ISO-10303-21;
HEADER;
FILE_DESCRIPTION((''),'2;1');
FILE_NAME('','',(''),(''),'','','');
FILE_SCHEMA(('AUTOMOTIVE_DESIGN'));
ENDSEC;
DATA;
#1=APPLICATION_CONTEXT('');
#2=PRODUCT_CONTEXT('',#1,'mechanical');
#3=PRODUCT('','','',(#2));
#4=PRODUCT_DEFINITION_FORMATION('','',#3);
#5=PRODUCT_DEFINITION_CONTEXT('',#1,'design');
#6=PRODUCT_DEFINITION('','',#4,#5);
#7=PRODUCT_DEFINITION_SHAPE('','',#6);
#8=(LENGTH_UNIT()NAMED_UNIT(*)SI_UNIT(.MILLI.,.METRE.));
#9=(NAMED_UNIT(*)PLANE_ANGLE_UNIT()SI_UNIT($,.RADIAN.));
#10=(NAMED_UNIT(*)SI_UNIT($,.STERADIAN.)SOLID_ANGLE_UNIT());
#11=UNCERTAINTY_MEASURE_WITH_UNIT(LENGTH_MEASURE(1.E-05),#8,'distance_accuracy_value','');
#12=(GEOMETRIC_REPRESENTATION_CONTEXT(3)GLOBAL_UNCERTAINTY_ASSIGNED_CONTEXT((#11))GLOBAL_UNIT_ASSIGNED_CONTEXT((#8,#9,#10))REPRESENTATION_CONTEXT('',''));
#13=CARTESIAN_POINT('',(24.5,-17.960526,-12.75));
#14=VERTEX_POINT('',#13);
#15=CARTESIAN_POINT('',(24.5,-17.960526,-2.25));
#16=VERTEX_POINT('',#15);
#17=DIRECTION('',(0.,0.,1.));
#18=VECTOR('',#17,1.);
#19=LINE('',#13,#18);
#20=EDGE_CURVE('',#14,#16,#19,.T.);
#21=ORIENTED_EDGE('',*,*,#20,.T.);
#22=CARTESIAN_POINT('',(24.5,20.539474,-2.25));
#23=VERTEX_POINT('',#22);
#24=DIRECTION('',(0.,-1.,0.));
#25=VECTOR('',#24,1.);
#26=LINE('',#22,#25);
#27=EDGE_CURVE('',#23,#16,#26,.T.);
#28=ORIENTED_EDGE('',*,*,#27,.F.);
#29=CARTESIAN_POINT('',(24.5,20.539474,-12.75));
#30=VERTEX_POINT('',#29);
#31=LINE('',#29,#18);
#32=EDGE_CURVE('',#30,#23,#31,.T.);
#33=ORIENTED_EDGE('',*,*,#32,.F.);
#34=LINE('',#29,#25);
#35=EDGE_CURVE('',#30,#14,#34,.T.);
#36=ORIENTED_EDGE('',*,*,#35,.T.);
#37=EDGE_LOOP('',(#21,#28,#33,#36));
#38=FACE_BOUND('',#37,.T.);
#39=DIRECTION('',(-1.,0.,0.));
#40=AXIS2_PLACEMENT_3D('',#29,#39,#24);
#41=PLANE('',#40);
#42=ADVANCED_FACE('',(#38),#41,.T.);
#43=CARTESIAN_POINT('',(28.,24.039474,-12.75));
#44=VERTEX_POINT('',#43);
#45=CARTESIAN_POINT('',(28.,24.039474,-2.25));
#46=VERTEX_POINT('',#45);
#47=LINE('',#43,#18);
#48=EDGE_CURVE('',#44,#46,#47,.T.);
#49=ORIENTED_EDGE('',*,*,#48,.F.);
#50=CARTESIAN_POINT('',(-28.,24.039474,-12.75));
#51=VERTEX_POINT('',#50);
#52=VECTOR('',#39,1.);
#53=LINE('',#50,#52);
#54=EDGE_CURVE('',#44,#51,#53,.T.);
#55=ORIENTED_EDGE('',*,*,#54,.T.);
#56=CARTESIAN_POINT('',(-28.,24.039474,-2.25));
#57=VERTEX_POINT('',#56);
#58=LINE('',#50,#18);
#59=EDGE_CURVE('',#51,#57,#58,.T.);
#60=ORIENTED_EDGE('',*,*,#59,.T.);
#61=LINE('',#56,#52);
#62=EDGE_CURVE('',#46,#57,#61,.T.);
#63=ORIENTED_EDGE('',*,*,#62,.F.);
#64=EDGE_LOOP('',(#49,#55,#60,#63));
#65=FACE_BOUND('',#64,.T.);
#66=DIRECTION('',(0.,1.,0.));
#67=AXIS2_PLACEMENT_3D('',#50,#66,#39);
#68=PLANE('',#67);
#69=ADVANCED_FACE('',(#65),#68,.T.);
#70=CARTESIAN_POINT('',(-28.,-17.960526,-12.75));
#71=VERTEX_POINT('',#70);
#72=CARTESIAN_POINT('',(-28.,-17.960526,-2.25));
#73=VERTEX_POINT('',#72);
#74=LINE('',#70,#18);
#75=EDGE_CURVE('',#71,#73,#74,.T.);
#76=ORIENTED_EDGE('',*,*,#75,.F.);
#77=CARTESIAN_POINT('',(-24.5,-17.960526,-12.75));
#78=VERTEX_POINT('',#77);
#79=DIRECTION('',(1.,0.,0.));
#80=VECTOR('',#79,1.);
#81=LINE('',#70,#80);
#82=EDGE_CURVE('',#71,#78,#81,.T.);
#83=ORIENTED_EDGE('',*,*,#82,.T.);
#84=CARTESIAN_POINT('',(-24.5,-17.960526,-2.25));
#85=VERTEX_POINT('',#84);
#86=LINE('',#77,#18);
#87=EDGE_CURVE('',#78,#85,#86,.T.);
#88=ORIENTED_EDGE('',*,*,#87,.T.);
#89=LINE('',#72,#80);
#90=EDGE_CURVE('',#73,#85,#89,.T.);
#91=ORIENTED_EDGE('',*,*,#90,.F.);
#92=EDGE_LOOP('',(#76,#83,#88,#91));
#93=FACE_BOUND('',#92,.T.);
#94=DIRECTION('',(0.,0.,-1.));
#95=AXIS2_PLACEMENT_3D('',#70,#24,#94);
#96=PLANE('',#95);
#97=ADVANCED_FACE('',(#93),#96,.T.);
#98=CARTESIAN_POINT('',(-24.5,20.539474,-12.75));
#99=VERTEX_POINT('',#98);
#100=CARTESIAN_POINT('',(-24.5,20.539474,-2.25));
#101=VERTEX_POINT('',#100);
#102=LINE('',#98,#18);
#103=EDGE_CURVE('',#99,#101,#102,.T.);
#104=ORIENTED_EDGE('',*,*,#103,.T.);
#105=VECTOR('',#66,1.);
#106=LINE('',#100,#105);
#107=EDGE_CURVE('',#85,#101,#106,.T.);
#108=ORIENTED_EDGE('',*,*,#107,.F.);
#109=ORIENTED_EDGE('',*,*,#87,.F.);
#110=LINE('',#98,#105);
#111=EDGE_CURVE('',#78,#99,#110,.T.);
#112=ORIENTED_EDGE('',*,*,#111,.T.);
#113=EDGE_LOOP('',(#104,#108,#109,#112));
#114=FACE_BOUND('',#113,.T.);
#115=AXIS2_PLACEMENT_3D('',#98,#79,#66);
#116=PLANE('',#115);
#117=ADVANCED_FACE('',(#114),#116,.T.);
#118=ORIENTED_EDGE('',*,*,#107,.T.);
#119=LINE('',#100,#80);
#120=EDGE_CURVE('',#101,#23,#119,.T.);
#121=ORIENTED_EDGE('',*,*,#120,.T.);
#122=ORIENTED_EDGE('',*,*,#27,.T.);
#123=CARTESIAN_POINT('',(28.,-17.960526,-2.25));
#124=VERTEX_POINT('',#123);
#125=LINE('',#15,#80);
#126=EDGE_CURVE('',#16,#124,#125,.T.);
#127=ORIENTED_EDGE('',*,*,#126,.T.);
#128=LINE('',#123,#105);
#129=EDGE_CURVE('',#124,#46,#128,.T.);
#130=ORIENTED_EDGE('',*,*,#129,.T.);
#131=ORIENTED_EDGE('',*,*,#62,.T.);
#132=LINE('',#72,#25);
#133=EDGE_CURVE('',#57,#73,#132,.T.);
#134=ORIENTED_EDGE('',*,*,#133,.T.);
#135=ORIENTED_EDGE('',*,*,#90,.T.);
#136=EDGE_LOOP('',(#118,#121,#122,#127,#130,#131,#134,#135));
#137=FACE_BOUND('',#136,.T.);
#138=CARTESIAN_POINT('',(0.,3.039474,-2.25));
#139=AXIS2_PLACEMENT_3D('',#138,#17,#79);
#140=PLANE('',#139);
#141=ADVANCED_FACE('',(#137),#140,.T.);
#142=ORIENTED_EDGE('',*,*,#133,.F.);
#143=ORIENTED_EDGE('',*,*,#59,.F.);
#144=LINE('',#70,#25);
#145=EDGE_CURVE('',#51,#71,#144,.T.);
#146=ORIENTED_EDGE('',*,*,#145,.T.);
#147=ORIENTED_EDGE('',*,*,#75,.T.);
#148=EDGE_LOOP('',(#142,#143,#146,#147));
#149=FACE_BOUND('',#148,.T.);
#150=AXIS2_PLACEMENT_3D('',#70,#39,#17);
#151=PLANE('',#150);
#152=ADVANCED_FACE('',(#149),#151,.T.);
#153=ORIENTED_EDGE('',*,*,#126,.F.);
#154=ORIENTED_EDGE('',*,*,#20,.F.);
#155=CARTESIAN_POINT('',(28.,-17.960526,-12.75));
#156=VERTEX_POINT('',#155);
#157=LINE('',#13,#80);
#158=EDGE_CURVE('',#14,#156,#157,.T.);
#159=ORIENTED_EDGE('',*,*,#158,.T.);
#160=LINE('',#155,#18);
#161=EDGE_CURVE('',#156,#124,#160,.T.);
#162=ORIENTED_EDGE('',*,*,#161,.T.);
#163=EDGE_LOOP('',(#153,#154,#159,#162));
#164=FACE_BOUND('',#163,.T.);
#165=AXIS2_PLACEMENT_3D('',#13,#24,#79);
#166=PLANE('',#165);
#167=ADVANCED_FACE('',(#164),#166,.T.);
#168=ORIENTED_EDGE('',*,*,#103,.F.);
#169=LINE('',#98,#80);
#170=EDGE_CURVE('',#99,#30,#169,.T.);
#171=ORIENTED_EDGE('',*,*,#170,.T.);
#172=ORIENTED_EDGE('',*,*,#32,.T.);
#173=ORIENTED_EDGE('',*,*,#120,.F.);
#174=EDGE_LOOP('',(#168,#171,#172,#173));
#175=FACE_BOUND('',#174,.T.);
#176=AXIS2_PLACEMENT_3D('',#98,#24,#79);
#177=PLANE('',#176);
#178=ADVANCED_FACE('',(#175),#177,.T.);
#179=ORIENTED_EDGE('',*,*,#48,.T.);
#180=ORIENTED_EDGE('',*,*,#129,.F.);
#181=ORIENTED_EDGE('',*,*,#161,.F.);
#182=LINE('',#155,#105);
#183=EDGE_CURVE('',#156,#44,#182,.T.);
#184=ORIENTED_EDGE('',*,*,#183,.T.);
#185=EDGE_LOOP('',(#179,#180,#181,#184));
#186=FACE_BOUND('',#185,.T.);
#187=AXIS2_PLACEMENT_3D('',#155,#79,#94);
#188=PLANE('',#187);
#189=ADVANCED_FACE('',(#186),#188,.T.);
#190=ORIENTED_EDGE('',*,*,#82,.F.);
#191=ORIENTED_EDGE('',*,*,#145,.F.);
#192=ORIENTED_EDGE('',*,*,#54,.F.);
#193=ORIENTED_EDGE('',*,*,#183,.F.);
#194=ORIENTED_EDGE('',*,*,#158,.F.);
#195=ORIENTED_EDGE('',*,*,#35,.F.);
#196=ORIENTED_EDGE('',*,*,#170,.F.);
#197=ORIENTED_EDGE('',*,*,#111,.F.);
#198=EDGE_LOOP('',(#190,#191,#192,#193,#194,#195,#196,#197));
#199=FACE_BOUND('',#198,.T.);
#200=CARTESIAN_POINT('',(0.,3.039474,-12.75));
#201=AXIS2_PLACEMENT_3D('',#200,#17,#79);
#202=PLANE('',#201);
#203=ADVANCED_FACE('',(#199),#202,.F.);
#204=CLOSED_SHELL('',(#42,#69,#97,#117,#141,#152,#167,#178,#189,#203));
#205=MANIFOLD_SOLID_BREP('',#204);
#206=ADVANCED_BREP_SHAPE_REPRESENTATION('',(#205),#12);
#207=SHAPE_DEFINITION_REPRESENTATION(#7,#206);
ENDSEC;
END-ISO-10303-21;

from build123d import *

# Parameters (mm, degrees)
BOSS_EXTRUDE1_DEPTH = 15
SCALE1_SCALE        = 0.7


with BuildPart() as part:
    # Sketch2 → Boss-Extrude1 (new body)
    with BuildSketch(Plane(origin=(0, 0, 0), x_dir=(0, 1, 0), z_dir=(0, 0, 1))):
        Polygon((-30, -35), (-30, -40), (30, -40), (30, 40), (-30, 40), (-30, 35), (25, 35), (25, -35), align=None)
    extrude(amount=-BOSS_EXTRUDE1_DEPTH)


with BuildPart() as part_1:
    # Scale1: scaled about (0, 10.131578947, -7.5)
    add(part.part.scale(SCALE1_SCALE).moved(Location((0, 3.039473684, -2.25))))


solid = part_1.part
